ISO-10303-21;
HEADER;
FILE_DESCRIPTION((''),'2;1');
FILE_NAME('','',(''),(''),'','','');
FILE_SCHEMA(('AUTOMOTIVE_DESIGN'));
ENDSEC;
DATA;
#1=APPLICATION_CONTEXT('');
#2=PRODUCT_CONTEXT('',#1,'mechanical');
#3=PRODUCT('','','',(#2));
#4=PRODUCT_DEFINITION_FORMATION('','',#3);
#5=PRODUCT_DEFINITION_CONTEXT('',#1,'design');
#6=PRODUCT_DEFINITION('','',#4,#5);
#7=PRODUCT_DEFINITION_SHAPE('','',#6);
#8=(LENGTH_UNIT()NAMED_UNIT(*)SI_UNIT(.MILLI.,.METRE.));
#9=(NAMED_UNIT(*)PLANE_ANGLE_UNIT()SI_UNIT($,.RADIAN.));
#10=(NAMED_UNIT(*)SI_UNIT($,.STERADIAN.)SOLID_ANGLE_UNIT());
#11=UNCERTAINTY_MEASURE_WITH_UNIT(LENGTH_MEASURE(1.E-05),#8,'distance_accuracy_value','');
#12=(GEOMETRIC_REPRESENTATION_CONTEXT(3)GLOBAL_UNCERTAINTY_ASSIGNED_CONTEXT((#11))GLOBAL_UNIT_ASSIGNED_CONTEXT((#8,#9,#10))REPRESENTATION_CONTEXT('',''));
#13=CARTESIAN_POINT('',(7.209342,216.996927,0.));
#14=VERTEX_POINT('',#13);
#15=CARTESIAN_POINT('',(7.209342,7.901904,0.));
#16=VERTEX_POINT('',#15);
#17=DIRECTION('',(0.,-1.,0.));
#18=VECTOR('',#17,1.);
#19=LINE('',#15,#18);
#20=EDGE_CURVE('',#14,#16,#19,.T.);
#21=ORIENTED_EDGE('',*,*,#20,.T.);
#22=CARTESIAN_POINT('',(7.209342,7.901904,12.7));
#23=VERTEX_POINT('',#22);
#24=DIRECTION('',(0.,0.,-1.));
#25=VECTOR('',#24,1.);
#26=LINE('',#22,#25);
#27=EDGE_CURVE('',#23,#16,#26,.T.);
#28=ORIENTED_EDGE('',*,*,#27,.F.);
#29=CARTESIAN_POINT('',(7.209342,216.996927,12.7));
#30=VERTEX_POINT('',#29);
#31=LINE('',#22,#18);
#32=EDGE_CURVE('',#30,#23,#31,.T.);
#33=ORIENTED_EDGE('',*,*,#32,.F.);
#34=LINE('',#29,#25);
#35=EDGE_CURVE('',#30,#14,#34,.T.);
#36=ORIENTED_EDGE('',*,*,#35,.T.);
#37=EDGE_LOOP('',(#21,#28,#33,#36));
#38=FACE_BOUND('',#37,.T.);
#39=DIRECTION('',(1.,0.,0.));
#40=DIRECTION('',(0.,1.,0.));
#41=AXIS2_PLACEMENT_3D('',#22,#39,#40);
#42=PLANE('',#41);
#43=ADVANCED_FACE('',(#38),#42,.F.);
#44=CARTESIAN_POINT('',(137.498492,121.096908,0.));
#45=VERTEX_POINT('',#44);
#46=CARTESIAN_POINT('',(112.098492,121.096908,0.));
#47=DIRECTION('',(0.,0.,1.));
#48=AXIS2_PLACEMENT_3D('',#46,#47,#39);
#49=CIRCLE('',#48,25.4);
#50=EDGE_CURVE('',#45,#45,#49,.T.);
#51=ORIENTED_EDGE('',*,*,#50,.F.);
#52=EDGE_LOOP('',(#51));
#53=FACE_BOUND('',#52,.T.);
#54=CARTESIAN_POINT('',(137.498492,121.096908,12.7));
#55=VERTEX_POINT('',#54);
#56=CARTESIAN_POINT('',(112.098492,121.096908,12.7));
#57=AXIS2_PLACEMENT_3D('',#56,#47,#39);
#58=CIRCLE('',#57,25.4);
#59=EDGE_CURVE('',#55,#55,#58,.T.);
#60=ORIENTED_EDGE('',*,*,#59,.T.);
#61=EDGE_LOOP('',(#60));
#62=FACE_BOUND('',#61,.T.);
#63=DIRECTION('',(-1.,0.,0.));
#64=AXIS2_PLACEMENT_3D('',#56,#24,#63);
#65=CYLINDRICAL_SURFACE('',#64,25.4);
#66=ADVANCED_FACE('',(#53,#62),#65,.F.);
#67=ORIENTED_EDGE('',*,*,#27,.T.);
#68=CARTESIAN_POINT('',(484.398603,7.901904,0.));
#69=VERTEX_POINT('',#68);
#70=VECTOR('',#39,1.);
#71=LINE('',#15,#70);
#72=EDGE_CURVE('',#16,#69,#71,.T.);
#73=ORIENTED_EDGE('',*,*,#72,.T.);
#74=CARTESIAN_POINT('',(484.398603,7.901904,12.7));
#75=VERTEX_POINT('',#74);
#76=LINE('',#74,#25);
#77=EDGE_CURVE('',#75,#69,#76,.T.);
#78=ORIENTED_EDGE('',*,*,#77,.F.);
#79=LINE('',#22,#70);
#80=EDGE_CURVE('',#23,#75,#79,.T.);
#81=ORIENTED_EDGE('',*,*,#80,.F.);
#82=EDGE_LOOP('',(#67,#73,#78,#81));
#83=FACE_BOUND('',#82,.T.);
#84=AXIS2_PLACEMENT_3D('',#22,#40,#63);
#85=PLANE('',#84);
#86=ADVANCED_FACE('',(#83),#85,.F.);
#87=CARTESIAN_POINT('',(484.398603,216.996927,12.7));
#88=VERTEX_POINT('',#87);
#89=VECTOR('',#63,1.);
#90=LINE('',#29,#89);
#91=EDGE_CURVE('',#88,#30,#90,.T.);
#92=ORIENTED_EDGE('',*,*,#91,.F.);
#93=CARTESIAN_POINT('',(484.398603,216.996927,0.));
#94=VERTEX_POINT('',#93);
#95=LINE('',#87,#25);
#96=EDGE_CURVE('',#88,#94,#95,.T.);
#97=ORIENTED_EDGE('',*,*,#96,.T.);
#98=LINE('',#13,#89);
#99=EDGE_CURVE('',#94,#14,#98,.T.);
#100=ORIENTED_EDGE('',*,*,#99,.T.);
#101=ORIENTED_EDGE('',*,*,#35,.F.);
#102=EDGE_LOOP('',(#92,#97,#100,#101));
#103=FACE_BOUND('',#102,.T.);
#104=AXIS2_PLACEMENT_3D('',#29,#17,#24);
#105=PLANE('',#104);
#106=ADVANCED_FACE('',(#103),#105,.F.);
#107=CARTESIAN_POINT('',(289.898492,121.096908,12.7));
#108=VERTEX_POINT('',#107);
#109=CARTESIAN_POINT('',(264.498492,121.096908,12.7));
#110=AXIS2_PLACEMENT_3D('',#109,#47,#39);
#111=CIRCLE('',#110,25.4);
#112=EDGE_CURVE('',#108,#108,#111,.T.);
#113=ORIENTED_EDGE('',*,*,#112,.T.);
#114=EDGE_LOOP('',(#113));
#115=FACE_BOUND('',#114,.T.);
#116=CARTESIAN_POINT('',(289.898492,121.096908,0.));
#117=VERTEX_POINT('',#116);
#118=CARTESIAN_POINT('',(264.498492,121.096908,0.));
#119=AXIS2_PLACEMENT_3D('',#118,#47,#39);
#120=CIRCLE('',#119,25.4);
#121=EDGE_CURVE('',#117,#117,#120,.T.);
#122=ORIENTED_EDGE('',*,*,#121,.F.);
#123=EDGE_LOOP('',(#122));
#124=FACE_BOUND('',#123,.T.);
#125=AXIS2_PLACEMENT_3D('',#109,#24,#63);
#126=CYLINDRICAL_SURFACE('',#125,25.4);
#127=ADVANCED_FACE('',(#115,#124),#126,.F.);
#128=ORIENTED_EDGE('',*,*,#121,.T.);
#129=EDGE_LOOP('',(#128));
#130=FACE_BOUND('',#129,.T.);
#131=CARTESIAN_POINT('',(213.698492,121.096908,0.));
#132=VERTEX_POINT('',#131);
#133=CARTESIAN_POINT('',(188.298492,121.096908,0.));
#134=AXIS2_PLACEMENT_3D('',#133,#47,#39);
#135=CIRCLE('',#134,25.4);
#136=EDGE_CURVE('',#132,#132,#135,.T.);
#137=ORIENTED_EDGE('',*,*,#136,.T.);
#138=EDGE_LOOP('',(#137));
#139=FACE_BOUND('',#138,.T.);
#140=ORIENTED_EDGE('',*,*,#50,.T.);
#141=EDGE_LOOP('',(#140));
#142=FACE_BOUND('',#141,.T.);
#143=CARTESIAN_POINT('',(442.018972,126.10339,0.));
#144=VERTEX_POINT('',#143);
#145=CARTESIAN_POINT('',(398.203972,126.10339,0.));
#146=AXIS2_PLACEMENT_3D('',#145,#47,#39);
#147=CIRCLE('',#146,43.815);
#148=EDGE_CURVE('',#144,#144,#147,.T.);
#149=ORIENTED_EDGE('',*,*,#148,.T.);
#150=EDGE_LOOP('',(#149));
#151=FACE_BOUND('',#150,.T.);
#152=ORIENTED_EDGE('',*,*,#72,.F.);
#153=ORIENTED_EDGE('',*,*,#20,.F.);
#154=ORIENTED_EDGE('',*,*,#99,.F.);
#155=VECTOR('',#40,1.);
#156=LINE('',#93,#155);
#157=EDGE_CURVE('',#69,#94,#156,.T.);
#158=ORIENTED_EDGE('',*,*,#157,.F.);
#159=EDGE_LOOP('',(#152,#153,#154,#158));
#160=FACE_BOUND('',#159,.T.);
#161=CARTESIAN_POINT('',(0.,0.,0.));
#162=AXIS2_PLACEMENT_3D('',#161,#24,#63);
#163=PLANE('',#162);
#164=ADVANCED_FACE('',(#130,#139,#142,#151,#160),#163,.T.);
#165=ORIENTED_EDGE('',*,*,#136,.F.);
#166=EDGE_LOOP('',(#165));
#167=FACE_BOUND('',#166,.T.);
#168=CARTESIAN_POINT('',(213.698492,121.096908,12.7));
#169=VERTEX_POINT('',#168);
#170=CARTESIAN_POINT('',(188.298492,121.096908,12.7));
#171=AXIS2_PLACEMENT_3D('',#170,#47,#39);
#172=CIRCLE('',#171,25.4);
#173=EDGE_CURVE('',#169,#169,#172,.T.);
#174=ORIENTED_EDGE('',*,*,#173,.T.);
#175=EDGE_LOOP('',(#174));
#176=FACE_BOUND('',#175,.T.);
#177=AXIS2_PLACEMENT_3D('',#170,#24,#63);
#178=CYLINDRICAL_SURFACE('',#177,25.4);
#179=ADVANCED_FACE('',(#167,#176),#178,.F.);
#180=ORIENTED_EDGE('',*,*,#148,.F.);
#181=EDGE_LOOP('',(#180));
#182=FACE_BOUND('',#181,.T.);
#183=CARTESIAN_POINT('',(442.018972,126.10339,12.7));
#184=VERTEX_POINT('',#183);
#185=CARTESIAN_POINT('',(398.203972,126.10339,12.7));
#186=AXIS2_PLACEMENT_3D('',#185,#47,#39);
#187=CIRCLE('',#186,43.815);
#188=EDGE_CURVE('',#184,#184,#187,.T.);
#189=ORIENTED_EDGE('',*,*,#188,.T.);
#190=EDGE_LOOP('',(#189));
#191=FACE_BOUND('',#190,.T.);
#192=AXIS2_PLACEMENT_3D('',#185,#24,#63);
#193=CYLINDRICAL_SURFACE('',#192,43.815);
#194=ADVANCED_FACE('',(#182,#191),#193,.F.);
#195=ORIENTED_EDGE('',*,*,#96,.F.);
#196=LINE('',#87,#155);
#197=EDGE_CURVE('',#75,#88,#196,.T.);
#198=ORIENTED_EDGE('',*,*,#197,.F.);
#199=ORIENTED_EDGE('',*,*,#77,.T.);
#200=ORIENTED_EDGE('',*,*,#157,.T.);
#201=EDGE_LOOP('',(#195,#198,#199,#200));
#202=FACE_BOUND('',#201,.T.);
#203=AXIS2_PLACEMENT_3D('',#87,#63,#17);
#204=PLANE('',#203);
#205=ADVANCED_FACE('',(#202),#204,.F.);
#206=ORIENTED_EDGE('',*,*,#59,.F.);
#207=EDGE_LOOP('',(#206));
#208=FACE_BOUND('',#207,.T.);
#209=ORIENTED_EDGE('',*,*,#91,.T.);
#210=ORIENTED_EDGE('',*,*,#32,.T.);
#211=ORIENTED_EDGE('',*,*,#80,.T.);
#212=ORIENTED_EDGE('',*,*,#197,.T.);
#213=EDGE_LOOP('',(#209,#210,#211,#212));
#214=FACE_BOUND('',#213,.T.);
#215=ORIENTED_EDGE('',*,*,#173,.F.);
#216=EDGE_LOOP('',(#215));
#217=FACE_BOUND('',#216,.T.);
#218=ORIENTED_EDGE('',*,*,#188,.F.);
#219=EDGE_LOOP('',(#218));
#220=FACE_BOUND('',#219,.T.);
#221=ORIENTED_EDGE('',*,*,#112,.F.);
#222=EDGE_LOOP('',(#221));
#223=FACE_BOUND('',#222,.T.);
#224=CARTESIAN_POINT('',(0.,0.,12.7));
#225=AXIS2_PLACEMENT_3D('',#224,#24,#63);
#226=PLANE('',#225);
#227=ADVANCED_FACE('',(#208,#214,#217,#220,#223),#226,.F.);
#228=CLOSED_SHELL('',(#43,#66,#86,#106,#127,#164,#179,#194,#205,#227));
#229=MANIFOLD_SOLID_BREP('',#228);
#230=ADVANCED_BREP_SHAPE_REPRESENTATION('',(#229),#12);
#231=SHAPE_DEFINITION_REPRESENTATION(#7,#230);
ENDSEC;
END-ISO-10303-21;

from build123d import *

# Parameters (mm, degrees)
MODEL_W             = 477.189260789
MODEL_H             = 209.095023119
BOSS_EXTRUDE1_DEPTH = 12.7


with BuildPart() as part:
    # Model → Boss-Extrude1 (new body)
    with BuildSketch(Plane.XY):
        with Locations((245.803972347, 112.449415536)):
            Rectangle(MODEL_W, MODEL_H)
        with BuildLine():
            ThreePointArc((239.098491904, 121.096908294), (264.498491904, 95.696908294), (289.898491904, 121.096908294))
            ThreePointArc((289.898491904, 121.096908294), (264.498491904, 146.496908294), (239.098491904, 121.096908294))
        make_face(mode=Mode.SUBTRACT)
        with BuildLine():
            ThreePointArc((162.898491904, 121.096908294), (188.298491904, 95.696908294), (213.698491904, 121.096908294))
            ThreePointArc((213.698491904, 121.096908294), (188.298491904, 146.496908294), (162.898491904, 121.096908294))
        make_face(mode=Mode.SUBTRACT)
        with BuildLine():
            ThreePointArc((137.498491904, 121.096908294), (112.098491904, 146.496908294), (86.698491904, 121.096908294))
            ThreePointArc((86.698491904, 121.096908294), (112.098491904, 95.696908294), (137.498491904, 121.096908294))
        make_face(mode=Mode.SUBTRACT)
        with BuildLine():
            ThreePointArc((442.018972347, 126.103389526), (398.203972347, 169.918389526), (354.388972347, 126.103389526))
            ThreePointArc((354.388972347, 126.103389526), (398.203972347, 82.288389526), (442.018972347, 126.103389526))
        make_face(mode=Mode.SUBTRACT)
    extrude(amount=BOSS_EXTRUDE1_DEPTH)


solid = part.part
